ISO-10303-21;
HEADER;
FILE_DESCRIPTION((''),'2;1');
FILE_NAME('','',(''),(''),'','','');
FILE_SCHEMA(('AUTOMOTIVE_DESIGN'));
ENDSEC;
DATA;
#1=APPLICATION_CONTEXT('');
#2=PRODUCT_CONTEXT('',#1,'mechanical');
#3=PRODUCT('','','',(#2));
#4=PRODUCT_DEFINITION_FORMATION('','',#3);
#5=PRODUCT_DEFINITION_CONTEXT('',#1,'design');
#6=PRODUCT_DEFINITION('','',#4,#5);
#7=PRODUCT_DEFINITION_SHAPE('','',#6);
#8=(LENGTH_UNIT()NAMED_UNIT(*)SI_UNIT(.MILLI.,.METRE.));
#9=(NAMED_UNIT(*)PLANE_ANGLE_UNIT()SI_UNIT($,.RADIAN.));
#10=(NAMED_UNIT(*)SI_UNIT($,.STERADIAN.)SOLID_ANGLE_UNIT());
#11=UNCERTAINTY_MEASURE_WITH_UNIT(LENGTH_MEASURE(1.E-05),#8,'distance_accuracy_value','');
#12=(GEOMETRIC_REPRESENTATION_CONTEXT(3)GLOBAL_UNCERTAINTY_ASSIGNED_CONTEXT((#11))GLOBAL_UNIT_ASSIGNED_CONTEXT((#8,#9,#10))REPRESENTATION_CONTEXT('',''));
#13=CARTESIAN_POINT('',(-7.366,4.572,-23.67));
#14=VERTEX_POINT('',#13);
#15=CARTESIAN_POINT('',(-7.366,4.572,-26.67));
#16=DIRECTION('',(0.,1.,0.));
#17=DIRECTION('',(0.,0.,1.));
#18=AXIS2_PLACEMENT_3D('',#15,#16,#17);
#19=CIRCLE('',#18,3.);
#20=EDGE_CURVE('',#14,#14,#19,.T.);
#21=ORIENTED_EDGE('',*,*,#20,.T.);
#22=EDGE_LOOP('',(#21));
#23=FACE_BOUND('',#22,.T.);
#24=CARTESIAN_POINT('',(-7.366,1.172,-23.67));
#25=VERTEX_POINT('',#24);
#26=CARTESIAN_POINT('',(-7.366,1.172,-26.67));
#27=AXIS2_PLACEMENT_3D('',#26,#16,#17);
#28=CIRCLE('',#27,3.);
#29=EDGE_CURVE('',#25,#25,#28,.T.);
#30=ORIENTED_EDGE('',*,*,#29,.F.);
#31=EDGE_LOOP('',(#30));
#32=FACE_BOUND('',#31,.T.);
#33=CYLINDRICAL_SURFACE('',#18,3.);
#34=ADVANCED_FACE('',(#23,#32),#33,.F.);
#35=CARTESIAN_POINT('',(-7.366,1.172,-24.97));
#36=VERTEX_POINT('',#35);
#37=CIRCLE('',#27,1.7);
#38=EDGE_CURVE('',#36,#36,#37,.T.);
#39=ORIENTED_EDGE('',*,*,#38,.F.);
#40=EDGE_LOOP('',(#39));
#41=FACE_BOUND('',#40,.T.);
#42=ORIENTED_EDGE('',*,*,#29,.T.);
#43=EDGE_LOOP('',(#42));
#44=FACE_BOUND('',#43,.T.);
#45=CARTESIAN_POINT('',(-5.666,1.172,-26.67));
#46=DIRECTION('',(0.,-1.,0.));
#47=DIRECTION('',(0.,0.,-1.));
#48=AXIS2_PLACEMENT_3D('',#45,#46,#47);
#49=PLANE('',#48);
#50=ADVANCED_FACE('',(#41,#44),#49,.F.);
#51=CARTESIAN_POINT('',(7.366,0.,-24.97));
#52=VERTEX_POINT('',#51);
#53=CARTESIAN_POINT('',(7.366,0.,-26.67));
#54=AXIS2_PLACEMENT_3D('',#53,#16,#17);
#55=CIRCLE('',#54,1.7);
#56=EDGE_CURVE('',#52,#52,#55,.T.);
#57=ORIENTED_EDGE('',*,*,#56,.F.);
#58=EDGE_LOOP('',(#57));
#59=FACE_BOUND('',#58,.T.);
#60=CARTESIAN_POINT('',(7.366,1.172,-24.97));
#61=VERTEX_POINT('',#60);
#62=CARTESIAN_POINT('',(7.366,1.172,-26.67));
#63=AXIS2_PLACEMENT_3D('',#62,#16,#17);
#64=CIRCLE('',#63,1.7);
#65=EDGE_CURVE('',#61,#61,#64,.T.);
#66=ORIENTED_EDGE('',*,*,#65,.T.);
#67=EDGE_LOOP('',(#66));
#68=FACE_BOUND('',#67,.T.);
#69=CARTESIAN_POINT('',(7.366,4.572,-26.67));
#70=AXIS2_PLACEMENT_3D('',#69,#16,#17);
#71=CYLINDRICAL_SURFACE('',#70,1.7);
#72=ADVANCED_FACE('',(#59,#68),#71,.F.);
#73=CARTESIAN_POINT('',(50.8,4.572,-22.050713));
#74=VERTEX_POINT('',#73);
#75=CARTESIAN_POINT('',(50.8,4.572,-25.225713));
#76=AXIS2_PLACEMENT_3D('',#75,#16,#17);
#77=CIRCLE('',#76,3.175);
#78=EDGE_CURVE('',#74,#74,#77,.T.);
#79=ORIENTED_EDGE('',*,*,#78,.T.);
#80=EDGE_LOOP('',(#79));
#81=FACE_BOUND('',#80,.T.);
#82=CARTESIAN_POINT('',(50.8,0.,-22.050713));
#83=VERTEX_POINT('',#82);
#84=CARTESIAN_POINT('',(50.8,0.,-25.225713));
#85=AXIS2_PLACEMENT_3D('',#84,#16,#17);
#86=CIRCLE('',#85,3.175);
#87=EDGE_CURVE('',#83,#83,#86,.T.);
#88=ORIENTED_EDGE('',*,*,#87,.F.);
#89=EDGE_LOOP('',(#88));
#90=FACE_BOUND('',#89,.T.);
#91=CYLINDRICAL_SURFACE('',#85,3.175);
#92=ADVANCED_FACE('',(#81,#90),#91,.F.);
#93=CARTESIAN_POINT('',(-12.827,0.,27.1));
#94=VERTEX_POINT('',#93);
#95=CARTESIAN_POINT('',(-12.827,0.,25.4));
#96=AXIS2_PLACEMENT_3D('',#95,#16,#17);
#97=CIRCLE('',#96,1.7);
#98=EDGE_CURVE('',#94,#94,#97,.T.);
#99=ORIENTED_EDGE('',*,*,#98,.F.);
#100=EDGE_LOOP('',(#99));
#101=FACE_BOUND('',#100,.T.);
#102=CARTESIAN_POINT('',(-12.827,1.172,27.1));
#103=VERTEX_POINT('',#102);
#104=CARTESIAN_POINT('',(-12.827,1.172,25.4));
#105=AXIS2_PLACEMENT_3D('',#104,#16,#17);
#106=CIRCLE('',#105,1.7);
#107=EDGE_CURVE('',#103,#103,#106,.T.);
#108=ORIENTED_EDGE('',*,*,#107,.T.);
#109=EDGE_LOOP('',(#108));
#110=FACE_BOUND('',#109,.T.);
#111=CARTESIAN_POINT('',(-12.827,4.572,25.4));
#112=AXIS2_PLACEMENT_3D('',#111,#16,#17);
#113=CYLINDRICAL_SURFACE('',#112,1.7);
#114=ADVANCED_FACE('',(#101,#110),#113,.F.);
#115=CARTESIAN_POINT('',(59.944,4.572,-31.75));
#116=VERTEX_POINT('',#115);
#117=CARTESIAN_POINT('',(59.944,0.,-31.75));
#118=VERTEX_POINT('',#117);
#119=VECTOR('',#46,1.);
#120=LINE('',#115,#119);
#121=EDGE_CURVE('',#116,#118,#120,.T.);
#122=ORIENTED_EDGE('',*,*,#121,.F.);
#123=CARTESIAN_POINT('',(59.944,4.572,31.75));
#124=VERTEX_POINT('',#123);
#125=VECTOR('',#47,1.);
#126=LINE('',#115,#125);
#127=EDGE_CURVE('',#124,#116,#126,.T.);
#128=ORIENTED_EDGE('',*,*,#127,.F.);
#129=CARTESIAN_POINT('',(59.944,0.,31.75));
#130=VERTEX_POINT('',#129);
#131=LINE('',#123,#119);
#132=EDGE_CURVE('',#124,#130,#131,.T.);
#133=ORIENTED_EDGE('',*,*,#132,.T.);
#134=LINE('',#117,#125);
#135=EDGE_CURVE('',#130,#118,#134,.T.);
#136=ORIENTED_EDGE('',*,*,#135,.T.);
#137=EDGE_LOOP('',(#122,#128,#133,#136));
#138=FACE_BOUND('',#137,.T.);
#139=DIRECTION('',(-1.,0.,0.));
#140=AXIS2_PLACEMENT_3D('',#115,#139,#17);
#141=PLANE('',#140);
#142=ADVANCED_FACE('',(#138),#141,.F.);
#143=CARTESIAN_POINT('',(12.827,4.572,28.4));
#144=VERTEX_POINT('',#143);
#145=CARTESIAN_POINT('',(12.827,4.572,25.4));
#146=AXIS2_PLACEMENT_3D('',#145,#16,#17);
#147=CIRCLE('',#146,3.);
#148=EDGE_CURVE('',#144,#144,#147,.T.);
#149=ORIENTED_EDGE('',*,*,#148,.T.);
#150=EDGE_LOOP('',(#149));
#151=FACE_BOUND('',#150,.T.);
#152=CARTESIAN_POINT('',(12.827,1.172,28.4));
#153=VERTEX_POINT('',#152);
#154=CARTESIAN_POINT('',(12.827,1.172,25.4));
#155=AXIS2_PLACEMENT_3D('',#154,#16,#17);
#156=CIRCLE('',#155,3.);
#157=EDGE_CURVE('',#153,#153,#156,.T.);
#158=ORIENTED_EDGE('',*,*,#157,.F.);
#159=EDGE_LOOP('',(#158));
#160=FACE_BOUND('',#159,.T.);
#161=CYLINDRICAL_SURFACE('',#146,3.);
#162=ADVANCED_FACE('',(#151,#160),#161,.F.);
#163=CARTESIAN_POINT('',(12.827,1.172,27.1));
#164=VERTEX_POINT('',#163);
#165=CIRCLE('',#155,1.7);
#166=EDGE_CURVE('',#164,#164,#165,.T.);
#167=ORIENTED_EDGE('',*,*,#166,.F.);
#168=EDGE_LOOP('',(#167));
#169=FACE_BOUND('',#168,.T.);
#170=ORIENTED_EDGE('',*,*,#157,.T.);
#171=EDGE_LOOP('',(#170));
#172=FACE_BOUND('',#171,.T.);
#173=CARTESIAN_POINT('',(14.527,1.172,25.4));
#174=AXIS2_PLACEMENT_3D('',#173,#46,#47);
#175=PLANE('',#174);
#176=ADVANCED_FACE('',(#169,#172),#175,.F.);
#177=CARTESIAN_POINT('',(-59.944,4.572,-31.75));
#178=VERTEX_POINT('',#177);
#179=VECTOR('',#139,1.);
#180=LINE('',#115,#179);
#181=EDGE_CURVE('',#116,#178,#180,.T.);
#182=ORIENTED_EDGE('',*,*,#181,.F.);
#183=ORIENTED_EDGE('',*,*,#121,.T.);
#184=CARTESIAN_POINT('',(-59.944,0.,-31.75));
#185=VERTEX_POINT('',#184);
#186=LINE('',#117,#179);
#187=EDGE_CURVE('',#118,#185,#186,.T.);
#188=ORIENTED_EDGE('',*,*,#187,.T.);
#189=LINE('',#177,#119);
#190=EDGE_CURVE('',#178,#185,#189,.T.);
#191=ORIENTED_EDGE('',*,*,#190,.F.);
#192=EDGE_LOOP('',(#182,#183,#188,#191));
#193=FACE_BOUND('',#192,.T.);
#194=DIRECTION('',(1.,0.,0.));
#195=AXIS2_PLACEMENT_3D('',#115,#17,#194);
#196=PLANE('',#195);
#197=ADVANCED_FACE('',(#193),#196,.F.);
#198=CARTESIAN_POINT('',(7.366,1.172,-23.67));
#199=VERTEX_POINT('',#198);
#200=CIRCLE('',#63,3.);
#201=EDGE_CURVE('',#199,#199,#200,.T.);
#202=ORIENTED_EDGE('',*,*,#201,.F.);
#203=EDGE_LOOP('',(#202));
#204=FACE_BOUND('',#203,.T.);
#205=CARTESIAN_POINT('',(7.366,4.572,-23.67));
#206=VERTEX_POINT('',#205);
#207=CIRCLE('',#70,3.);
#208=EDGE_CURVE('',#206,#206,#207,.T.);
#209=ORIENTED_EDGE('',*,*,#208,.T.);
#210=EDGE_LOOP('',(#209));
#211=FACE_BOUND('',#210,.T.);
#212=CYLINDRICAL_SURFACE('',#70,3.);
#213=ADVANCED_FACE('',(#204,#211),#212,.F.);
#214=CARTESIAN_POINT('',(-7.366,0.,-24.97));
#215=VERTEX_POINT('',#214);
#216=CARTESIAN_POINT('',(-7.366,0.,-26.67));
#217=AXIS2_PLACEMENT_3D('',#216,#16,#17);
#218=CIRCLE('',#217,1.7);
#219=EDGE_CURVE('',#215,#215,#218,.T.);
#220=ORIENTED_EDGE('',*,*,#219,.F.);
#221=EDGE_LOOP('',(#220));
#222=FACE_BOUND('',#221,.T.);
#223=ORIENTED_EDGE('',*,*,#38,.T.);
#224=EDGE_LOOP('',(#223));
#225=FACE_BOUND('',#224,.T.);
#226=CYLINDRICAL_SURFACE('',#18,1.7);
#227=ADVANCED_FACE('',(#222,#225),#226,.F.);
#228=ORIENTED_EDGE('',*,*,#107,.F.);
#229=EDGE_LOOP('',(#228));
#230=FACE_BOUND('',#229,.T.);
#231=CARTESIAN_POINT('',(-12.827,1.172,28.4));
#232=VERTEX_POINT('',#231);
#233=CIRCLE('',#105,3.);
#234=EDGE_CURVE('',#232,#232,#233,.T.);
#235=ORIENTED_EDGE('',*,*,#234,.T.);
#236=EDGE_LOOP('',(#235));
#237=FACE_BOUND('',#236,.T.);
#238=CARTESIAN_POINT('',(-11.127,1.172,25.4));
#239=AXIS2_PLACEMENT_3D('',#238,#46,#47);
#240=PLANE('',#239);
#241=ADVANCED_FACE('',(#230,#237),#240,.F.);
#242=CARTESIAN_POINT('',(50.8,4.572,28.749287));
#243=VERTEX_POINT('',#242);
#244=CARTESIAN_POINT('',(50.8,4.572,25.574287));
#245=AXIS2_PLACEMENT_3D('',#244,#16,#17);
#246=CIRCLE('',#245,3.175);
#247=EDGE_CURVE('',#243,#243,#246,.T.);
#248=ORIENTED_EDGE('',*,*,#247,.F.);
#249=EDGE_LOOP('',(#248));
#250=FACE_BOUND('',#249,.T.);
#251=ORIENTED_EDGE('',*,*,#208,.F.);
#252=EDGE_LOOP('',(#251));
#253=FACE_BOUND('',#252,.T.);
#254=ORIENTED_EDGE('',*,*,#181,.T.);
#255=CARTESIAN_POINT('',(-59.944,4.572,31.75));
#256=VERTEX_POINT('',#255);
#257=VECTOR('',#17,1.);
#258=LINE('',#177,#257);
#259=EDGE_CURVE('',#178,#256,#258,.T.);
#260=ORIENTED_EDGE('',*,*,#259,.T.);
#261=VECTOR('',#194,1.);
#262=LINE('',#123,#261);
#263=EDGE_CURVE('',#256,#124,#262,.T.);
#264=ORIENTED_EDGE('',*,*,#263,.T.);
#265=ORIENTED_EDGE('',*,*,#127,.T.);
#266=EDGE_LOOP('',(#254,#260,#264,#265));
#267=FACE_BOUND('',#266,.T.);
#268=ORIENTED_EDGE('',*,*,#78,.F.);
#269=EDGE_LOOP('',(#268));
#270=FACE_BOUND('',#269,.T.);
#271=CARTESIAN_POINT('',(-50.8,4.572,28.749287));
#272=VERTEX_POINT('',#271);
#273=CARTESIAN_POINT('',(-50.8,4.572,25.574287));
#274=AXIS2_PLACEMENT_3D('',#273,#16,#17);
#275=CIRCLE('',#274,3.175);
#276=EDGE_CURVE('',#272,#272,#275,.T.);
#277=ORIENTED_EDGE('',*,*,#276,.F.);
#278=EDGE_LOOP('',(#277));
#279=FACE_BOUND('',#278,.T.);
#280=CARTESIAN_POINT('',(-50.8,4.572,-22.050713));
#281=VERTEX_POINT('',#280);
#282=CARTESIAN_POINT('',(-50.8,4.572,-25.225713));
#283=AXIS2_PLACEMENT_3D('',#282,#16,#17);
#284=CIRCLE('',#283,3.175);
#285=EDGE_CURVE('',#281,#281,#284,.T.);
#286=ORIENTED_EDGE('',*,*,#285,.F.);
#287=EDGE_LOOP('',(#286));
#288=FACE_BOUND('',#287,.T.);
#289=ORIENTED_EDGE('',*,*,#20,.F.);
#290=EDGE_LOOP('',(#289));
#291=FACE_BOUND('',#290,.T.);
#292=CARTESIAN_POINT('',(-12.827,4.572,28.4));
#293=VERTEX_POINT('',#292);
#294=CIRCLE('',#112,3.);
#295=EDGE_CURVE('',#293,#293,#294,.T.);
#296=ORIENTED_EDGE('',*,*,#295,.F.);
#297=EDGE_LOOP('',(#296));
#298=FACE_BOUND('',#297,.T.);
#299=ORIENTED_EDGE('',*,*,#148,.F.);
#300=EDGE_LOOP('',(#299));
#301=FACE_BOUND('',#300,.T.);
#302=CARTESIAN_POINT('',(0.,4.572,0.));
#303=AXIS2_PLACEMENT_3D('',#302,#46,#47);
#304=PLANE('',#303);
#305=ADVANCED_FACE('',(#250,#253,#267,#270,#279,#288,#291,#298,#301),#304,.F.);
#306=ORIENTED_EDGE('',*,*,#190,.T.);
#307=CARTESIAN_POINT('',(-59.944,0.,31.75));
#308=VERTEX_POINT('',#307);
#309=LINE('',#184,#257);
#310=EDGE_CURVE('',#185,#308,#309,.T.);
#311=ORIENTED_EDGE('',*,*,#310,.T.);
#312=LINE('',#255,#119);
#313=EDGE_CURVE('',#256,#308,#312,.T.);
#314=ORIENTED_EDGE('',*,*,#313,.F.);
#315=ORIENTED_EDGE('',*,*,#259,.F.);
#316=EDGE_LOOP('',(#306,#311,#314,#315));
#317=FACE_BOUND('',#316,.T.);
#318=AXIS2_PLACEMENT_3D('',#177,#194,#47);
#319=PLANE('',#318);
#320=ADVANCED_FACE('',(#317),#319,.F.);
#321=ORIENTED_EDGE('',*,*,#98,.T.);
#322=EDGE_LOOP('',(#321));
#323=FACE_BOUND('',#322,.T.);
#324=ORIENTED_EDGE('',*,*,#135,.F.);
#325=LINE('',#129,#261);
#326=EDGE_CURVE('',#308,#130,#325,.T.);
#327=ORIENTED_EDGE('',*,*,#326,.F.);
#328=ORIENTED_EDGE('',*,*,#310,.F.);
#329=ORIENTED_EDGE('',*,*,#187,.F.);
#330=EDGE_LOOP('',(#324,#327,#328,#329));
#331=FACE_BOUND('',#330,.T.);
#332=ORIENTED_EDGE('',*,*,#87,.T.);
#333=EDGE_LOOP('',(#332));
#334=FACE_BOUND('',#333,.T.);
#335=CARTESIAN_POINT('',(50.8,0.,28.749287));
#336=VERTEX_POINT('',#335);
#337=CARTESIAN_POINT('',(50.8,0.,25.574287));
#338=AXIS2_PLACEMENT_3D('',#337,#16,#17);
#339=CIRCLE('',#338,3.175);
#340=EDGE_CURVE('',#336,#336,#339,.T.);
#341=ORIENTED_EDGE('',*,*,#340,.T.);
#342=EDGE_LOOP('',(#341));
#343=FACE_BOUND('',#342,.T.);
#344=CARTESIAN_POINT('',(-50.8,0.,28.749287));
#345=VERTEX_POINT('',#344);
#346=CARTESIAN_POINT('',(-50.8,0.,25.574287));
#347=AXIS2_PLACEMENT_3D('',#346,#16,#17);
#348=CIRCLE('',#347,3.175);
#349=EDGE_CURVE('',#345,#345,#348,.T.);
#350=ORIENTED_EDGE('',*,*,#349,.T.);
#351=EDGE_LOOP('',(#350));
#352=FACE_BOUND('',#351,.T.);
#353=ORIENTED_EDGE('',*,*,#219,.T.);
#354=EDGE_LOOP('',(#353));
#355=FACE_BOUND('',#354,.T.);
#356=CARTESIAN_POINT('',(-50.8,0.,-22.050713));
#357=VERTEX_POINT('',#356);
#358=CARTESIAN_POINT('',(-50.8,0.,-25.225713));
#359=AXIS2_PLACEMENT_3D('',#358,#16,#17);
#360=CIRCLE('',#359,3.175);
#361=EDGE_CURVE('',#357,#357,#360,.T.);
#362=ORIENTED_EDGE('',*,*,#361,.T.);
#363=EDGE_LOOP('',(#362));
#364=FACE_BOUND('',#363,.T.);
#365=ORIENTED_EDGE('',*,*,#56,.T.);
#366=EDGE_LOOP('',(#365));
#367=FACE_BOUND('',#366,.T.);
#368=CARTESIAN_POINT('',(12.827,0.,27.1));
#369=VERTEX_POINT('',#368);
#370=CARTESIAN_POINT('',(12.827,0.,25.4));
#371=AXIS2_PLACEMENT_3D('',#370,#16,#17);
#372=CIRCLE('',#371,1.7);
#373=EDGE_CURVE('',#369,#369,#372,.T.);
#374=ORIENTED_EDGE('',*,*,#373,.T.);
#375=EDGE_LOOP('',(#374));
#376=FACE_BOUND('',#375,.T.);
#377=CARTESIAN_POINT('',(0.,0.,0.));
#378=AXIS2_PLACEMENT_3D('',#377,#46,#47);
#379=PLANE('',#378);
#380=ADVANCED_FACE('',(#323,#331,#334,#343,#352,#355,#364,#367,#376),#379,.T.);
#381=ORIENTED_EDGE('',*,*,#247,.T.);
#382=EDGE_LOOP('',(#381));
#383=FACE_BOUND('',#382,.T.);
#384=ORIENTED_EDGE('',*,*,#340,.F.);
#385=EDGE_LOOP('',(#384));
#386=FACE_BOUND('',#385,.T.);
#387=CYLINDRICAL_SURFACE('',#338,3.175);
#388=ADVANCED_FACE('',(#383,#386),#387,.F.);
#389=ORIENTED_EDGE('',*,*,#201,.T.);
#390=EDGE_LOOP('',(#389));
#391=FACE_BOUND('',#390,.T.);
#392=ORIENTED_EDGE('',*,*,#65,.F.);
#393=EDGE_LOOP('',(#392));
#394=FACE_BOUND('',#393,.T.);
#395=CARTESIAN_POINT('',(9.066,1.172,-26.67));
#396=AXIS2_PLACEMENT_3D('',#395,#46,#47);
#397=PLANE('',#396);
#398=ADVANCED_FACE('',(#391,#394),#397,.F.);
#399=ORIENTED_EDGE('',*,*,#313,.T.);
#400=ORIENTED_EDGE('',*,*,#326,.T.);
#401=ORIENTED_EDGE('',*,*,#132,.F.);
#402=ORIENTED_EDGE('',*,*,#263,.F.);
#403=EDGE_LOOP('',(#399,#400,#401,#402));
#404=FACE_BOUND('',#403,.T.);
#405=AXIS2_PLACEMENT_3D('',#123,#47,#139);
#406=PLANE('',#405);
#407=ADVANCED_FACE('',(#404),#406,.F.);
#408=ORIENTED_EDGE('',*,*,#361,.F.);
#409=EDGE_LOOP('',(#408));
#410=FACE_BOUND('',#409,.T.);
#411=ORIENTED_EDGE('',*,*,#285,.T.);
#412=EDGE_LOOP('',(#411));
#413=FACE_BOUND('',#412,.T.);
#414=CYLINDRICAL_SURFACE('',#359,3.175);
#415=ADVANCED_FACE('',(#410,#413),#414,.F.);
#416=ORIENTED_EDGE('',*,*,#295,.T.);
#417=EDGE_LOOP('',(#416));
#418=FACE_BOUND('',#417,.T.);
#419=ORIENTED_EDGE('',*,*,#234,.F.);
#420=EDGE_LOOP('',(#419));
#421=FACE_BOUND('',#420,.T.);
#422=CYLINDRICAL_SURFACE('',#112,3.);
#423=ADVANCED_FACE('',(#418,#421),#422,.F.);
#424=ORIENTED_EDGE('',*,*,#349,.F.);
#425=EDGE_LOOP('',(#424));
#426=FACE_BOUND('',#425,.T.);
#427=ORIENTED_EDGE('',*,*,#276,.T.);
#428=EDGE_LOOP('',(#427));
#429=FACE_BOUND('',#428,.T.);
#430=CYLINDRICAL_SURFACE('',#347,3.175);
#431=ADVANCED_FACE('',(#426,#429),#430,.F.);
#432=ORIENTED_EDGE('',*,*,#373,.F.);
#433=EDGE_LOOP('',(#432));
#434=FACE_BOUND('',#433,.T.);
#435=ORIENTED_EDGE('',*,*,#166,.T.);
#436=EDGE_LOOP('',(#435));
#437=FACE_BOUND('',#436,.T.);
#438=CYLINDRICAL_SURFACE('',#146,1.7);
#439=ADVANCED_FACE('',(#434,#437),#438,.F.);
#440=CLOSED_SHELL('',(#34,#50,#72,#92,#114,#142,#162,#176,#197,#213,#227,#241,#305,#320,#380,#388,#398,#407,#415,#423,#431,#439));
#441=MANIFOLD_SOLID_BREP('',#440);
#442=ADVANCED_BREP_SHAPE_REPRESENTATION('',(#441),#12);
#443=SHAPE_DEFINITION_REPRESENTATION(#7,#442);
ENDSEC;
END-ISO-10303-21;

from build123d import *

# Parameters (mm, degrees)
SKETCH1_W                                            = 119.888
SKETCH1_H                                            = 63.5
BOSS_EXTRUDE1_DEPTH                                  = 4.572
CBORE_FOR_M3_HEXAGON_SOCKET_HEAD_CAP_SCR_D           = 3.4
CBORE_FOR_M3_HEXAGON_SOCKET_HEAD_CAP_SCR_CBORE_D     = 6
CBORE_FOR_M3_HEXAGON_SOCKET_HEAD_CAP_SCR_CBORE_DEPTH = 3.4
SKETCH5_R                                            = 3.175
CUT_EXTRUDE1_DEPTH                                   = 5.572


with BuildPart() as part:
    # Sketch1 → Boss-Extrude1 (new body)
    with BuildSketch(Plane(origin=(0, 0, 0), x_dir=(1, 0, 0), z_dir=(0, 1, 0))):
        Rectangle(SKETCH1_W, SKETCH1_H)
    extrude(amount=BOSS_EXTRUDE1_DEPTH)

    # CBORE for M3 Hexagon socket head cap screws1 (through all)
    with Locations(Plane(origin=(0, 4.572, 0), x_dir=(1, 0, 0), z_dir=(0, 1, 0))):
        with Locations((7.366, 26.67), (12.827, -25.4), (-12.827, -25.4), (-7.366, 26.67)):
            CounterBoreHole(CBORE_FOR_M3_HEXAGON_SOCKET_HEAD_CAP_SCR_D / 2, CBORE_FOR_M3_HEXAGON_SOCKET_HEAD_CAP_SCR_CBORE_D / 2, CBORE_FOR_M3_HEXAGON_SOCKET_HEAD_CAP_SCR_CBORE_DEPTH)

    # Sketch5 → Cut-Extrude1 (cut, through all)
    with BuildSketch(Plane(origin=(0, 4.572, 0), x_dir=(1, 0, 0), z_dir=(0, 1, 0))):
        with Locations((50.8, 25.225713352)):
            Circle(SKETCH5_R)
        with Locations((50.8, -25.574286648)):
            Circle(SKETCH5_R)
        with Locations((-50.8, 25.225713352)):
            Circle(SKETCH5_R)
        with Locations((-50.8, -25.574286648)):
            Circle(SKETCH5_R)
    extrude(amount=-CUT_EXTRUDE1_DEPTH, mode=Mode.SUBTRACT)


solid = part.part
